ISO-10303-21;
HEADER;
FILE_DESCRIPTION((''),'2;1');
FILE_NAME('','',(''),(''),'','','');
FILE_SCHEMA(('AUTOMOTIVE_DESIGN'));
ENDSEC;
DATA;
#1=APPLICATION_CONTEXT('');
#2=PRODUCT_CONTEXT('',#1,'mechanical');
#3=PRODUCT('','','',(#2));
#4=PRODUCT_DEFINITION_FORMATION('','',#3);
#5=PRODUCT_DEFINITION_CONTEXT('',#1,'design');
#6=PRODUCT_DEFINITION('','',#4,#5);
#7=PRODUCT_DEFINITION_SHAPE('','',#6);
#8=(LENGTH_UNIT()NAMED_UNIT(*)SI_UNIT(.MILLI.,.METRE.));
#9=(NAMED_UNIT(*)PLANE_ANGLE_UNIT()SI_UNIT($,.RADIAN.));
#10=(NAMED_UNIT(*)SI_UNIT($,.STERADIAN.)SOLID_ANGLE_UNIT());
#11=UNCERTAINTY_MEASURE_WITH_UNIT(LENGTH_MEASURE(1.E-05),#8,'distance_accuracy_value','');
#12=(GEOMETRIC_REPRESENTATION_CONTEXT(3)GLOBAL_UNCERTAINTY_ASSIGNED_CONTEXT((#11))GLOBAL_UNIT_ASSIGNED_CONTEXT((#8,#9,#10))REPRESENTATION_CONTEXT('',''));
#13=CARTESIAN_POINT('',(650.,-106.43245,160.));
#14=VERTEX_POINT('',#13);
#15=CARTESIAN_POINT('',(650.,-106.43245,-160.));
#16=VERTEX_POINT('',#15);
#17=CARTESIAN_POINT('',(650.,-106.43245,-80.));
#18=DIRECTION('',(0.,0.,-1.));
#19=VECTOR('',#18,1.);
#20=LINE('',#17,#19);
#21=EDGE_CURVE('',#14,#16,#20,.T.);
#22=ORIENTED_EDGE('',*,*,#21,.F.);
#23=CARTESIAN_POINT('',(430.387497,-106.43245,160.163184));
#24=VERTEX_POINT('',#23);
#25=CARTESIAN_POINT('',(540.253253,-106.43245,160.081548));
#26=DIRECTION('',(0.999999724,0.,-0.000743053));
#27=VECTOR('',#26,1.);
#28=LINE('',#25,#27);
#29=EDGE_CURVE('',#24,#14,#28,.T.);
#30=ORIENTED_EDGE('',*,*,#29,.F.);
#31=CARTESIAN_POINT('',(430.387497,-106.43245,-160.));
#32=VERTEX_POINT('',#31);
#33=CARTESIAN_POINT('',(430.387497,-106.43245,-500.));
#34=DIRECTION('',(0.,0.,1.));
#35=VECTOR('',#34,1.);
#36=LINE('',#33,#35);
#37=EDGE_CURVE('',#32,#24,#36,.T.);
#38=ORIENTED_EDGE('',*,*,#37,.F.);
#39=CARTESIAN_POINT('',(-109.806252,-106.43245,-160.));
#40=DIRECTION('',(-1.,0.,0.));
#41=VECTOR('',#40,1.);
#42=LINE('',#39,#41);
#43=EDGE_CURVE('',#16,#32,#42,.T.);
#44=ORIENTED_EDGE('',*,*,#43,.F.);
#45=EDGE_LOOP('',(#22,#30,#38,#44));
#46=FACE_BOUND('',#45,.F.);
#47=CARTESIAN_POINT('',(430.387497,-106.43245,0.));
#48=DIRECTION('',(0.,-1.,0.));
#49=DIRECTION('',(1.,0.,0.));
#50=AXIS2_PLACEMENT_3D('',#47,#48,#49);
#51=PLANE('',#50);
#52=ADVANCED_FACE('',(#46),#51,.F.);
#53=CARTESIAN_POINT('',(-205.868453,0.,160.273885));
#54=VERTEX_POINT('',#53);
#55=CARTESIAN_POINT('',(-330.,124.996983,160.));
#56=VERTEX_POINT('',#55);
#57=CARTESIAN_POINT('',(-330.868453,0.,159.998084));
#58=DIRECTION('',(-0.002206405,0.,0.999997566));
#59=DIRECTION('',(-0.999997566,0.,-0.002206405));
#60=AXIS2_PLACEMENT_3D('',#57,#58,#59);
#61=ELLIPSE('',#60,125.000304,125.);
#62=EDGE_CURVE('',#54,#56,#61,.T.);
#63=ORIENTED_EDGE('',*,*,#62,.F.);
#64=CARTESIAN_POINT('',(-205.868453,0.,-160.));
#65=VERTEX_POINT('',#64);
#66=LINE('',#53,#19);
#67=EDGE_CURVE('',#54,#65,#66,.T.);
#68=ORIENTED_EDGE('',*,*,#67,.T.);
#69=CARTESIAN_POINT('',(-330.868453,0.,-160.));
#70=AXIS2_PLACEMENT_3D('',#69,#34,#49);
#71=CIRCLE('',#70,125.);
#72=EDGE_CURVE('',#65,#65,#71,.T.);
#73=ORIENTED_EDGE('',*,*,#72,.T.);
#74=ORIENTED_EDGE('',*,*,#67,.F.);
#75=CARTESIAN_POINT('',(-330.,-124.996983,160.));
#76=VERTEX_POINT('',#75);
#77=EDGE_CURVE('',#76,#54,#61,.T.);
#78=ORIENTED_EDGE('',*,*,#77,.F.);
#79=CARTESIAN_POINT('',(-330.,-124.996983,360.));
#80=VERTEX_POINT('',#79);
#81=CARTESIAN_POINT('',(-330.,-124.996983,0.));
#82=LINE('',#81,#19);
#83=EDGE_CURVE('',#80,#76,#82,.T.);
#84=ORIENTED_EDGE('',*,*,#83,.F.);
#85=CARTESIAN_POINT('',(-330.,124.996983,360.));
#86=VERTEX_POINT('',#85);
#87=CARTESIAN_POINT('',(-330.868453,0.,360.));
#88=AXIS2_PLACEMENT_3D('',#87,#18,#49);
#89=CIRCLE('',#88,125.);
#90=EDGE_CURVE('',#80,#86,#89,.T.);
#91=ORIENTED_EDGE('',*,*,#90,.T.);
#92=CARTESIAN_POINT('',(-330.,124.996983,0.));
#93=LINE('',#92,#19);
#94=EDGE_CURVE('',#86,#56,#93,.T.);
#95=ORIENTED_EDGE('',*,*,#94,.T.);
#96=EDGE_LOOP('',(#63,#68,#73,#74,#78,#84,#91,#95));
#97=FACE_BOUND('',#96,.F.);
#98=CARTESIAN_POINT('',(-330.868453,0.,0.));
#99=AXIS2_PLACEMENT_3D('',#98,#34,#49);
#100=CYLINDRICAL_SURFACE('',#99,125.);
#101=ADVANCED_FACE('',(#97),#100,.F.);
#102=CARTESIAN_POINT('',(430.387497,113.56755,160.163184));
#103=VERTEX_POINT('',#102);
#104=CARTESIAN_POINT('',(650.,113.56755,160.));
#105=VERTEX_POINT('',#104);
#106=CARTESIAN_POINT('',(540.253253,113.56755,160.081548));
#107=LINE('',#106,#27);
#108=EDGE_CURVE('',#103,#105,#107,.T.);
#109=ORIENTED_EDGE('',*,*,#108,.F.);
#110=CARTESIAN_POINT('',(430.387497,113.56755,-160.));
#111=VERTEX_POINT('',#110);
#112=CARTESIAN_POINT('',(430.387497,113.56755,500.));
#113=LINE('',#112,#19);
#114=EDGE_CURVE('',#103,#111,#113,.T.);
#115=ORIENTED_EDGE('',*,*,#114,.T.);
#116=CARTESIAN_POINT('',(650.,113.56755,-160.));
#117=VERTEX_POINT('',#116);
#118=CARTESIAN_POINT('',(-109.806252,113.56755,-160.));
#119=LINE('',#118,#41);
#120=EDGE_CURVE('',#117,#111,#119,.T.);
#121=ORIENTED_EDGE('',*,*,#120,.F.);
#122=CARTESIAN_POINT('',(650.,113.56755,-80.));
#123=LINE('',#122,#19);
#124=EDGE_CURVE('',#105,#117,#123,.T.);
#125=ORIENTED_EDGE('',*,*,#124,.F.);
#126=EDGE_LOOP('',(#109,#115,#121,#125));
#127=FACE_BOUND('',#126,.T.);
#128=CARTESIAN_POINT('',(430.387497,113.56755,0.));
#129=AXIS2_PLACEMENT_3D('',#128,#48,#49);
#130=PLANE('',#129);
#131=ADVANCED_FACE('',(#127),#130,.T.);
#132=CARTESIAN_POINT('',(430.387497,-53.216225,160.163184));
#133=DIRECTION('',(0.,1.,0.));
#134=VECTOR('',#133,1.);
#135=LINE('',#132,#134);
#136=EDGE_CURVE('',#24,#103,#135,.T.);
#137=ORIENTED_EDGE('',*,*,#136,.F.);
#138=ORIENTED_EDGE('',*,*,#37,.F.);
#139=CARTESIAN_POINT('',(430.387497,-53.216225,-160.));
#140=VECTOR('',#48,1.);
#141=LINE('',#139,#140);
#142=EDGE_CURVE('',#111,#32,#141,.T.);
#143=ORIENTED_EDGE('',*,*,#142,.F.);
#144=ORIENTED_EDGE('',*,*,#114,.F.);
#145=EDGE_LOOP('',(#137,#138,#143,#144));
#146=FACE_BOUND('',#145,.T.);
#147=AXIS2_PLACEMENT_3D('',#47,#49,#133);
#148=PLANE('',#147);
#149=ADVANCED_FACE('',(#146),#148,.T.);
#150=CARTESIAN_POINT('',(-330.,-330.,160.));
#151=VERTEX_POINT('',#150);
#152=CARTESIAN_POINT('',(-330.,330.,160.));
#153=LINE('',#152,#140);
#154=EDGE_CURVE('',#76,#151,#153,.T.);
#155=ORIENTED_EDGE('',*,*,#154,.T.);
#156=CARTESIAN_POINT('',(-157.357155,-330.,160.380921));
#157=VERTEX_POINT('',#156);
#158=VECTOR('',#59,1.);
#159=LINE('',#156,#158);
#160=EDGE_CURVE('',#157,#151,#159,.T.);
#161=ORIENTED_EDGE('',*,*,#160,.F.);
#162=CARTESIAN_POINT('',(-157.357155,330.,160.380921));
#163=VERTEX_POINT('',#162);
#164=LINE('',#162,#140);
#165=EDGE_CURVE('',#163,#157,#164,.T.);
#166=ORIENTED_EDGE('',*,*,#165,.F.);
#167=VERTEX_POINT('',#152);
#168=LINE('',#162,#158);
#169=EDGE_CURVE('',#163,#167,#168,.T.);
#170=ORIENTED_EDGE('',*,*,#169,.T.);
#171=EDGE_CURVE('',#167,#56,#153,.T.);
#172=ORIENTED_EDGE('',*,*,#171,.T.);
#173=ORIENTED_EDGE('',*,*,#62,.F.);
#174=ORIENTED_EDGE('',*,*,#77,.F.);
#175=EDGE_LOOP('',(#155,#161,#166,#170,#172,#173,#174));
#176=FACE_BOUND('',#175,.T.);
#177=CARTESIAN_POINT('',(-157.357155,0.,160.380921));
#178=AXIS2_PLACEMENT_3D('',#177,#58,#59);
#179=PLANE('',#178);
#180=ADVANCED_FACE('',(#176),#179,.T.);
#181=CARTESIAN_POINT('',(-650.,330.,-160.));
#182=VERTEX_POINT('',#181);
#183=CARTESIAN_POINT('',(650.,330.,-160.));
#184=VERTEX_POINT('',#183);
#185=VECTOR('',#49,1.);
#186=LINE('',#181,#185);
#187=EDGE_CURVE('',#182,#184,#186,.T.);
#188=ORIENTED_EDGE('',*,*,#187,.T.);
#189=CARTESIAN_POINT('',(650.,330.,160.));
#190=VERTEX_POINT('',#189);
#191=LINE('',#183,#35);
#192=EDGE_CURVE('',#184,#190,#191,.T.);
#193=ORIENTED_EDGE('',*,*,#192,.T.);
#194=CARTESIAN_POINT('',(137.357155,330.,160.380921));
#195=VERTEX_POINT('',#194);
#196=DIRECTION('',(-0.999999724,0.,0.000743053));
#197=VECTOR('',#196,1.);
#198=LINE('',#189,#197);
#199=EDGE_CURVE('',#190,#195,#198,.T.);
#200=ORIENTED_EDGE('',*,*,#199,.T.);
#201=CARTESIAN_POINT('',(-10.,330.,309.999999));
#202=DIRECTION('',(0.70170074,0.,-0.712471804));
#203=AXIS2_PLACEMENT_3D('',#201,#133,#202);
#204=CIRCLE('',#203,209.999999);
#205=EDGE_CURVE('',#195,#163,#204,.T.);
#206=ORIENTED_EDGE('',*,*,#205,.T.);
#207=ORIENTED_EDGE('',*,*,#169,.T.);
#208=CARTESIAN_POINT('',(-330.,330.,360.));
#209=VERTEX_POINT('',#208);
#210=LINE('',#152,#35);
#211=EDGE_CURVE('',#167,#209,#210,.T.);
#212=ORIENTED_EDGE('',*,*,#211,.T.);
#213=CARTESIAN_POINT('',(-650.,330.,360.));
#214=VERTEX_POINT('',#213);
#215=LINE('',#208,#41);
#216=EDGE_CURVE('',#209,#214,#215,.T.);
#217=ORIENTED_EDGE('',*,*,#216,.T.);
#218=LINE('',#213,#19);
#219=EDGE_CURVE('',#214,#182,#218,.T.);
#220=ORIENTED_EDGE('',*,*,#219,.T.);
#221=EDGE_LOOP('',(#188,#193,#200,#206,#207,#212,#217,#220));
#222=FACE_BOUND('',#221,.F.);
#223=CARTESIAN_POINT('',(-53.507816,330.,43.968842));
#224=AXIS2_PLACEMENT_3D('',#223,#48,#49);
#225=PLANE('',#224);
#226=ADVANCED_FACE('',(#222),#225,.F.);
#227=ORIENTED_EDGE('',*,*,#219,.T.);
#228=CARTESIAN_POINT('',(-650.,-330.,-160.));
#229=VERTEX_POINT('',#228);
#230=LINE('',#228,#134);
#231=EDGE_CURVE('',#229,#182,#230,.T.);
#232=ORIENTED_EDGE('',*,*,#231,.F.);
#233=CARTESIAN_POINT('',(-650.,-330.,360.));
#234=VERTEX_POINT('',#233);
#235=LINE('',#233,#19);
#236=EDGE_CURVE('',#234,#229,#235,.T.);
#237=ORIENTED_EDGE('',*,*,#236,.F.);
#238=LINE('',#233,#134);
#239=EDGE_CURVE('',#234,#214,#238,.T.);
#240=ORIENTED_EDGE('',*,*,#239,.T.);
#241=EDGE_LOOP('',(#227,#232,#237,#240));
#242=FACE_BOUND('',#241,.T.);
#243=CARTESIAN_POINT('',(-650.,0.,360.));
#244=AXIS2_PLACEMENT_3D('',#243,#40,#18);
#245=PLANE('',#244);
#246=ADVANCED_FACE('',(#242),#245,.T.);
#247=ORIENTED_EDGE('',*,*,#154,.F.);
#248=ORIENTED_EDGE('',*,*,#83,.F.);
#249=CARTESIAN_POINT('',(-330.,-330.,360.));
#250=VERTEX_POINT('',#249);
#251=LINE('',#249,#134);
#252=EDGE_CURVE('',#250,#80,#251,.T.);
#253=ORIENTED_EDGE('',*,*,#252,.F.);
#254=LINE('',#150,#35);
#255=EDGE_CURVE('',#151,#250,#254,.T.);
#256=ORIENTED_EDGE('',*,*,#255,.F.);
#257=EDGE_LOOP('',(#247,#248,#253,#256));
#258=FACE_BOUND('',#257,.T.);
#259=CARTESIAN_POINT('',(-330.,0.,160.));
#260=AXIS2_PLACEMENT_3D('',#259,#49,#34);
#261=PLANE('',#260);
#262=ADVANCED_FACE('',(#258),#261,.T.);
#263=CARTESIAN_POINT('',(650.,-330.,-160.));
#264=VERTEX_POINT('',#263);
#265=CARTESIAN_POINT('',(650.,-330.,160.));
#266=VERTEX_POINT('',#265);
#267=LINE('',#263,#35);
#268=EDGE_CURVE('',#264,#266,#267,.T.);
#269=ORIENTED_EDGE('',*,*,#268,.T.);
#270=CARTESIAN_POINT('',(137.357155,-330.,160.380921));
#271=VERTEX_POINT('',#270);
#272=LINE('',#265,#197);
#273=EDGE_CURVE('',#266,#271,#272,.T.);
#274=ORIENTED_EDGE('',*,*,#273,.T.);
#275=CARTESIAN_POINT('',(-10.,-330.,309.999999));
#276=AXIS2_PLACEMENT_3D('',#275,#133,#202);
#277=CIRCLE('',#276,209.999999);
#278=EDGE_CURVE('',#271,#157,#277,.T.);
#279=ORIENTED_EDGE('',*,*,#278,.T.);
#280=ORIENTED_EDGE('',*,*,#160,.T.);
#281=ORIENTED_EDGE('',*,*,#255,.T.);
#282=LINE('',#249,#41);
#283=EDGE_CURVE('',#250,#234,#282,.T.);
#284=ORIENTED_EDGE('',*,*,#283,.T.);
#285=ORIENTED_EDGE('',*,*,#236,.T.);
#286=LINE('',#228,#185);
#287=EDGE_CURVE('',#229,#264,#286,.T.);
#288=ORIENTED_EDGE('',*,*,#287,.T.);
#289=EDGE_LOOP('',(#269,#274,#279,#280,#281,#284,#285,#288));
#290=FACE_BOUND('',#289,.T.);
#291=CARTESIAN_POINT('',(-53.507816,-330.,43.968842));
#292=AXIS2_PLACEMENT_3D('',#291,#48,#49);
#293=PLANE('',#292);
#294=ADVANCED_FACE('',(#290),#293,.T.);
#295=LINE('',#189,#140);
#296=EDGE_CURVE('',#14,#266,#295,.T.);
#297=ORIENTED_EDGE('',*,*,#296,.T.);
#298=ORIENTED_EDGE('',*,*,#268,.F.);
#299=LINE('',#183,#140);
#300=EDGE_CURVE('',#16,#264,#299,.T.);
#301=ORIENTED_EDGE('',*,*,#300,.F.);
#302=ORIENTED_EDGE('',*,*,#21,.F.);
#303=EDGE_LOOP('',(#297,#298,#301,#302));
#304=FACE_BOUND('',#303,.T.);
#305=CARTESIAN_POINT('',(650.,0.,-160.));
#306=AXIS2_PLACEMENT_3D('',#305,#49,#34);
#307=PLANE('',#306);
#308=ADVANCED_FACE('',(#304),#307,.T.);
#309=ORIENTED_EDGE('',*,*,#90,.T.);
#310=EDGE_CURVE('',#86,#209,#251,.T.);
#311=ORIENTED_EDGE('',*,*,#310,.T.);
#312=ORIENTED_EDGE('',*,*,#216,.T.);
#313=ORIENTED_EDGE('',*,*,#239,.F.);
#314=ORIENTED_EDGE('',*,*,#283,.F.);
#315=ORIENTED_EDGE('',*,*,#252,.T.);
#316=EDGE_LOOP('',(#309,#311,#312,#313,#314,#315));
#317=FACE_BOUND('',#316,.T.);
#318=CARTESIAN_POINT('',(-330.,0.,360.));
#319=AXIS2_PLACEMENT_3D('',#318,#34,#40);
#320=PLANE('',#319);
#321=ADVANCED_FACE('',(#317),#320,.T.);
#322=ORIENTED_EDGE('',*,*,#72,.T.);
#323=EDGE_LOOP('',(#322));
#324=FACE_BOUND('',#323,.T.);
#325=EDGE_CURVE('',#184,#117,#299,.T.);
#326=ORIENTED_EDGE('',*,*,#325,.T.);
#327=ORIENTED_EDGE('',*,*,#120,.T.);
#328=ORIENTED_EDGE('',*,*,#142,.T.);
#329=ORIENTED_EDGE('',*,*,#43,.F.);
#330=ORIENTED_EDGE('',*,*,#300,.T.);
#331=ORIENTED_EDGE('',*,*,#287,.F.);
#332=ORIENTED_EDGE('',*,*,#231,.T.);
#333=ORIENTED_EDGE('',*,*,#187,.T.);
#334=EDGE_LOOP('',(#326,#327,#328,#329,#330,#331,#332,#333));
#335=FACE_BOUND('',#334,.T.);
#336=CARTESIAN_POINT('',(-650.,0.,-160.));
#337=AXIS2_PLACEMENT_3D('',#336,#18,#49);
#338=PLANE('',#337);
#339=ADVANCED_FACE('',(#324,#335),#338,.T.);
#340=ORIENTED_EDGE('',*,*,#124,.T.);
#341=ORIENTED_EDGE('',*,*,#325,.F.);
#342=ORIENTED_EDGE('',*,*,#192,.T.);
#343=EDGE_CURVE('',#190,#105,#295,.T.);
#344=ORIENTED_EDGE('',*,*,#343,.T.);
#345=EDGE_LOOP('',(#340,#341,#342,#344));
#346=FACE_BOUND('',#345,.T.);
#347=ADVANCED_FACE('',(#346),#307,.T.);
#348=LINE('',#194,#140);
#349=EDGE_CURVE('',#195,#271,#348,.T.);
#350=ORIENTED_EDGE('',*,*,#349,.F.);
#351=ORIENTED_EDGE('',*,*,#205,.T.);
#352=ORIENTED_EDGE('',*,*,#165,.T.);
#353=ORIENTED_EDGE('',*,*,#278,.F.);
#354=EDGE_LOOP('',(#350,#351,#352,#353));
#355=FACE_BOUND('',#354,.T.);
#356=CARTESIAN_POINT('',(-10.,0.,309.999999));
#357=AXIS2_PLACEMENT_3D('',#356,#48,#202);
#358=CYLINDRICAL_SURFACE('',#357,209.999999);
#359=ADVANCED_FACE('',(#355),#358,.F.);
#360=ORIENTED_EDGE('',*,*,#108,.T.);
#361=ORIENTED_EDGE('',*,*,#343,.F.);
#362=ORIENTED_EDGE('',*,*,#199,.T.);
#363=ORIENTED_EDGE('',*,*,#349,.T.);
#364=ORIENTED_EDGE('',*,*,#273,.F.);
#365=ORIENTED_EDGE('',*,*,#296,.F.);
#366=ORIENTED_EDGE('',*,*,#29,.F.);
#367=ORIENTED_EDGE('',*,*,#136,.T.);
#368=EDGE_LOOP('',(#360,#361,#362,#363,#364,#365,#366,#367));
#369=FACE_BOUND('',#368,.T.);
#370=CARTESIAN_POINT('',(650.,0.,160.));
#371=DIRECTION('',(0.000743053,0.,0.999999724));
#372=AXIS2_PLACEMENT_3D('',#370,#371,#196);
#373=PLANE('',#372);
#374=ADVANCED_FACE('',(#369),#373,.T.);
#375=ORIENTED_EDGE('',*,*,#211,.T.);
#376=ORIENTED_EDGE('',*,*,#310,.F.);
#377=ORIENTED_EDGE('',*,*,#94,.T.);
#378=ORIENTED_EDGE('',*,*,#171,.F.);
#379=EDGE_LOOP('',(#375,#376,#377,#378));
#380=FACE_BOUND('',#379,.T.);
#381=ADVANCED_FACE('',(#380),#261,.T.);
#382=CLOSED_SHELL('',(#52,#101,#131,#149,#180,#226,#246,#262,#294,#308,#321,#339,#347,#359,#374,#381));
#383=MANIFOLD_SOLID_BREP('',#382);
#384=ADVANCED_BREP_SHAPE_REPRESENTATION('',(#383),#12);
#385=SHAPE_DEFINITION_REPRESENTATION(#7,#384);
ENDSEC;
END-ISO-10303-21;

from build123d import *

# Parameters (mm, degrees)
F1_DEPTH = 330
F2_R     = 125
F2_W     = 220
F2_H     = 220
F3_DEPTH = 500


with BuildPart() as f1:
    # F0 (on Front) → F1 (new body, symmetric)
    with BuildSketch(Plane.XZ):
        with BuildLine():
            Line((-650, -160), (650, -160))
            Line((650, -160), (650, 160))
            Line((650, 160), (137.357155, 160.380921))
            ThreePointArc((137.357155, 160.380921), (-10, 100), (-157.357155, 160.380921))
            Line((-157.357155, 160.380921), (-330, 160))
            Line((-330, 160), (-330, 360))
            Line((-330, 360), (-650, 360))
            Line((-650, 360), (-650, -160))
        make_face()
    extrude(amount=F1_DEPTH, both=True)

    # F2 (on Top) → F3 (cut, symmetric)
    with BuildSketch(Plane.XY):
        with Locations((-330.868453, 0)):
            Circle(F2_R)
        with Locations((540.387497, 3.56755)):
            Rectangle(F2_W, F2_H)
    extrude(amount=F3_DEPTH, both=True, mode=Mode.SUBTRACT)


solid = f1.part
